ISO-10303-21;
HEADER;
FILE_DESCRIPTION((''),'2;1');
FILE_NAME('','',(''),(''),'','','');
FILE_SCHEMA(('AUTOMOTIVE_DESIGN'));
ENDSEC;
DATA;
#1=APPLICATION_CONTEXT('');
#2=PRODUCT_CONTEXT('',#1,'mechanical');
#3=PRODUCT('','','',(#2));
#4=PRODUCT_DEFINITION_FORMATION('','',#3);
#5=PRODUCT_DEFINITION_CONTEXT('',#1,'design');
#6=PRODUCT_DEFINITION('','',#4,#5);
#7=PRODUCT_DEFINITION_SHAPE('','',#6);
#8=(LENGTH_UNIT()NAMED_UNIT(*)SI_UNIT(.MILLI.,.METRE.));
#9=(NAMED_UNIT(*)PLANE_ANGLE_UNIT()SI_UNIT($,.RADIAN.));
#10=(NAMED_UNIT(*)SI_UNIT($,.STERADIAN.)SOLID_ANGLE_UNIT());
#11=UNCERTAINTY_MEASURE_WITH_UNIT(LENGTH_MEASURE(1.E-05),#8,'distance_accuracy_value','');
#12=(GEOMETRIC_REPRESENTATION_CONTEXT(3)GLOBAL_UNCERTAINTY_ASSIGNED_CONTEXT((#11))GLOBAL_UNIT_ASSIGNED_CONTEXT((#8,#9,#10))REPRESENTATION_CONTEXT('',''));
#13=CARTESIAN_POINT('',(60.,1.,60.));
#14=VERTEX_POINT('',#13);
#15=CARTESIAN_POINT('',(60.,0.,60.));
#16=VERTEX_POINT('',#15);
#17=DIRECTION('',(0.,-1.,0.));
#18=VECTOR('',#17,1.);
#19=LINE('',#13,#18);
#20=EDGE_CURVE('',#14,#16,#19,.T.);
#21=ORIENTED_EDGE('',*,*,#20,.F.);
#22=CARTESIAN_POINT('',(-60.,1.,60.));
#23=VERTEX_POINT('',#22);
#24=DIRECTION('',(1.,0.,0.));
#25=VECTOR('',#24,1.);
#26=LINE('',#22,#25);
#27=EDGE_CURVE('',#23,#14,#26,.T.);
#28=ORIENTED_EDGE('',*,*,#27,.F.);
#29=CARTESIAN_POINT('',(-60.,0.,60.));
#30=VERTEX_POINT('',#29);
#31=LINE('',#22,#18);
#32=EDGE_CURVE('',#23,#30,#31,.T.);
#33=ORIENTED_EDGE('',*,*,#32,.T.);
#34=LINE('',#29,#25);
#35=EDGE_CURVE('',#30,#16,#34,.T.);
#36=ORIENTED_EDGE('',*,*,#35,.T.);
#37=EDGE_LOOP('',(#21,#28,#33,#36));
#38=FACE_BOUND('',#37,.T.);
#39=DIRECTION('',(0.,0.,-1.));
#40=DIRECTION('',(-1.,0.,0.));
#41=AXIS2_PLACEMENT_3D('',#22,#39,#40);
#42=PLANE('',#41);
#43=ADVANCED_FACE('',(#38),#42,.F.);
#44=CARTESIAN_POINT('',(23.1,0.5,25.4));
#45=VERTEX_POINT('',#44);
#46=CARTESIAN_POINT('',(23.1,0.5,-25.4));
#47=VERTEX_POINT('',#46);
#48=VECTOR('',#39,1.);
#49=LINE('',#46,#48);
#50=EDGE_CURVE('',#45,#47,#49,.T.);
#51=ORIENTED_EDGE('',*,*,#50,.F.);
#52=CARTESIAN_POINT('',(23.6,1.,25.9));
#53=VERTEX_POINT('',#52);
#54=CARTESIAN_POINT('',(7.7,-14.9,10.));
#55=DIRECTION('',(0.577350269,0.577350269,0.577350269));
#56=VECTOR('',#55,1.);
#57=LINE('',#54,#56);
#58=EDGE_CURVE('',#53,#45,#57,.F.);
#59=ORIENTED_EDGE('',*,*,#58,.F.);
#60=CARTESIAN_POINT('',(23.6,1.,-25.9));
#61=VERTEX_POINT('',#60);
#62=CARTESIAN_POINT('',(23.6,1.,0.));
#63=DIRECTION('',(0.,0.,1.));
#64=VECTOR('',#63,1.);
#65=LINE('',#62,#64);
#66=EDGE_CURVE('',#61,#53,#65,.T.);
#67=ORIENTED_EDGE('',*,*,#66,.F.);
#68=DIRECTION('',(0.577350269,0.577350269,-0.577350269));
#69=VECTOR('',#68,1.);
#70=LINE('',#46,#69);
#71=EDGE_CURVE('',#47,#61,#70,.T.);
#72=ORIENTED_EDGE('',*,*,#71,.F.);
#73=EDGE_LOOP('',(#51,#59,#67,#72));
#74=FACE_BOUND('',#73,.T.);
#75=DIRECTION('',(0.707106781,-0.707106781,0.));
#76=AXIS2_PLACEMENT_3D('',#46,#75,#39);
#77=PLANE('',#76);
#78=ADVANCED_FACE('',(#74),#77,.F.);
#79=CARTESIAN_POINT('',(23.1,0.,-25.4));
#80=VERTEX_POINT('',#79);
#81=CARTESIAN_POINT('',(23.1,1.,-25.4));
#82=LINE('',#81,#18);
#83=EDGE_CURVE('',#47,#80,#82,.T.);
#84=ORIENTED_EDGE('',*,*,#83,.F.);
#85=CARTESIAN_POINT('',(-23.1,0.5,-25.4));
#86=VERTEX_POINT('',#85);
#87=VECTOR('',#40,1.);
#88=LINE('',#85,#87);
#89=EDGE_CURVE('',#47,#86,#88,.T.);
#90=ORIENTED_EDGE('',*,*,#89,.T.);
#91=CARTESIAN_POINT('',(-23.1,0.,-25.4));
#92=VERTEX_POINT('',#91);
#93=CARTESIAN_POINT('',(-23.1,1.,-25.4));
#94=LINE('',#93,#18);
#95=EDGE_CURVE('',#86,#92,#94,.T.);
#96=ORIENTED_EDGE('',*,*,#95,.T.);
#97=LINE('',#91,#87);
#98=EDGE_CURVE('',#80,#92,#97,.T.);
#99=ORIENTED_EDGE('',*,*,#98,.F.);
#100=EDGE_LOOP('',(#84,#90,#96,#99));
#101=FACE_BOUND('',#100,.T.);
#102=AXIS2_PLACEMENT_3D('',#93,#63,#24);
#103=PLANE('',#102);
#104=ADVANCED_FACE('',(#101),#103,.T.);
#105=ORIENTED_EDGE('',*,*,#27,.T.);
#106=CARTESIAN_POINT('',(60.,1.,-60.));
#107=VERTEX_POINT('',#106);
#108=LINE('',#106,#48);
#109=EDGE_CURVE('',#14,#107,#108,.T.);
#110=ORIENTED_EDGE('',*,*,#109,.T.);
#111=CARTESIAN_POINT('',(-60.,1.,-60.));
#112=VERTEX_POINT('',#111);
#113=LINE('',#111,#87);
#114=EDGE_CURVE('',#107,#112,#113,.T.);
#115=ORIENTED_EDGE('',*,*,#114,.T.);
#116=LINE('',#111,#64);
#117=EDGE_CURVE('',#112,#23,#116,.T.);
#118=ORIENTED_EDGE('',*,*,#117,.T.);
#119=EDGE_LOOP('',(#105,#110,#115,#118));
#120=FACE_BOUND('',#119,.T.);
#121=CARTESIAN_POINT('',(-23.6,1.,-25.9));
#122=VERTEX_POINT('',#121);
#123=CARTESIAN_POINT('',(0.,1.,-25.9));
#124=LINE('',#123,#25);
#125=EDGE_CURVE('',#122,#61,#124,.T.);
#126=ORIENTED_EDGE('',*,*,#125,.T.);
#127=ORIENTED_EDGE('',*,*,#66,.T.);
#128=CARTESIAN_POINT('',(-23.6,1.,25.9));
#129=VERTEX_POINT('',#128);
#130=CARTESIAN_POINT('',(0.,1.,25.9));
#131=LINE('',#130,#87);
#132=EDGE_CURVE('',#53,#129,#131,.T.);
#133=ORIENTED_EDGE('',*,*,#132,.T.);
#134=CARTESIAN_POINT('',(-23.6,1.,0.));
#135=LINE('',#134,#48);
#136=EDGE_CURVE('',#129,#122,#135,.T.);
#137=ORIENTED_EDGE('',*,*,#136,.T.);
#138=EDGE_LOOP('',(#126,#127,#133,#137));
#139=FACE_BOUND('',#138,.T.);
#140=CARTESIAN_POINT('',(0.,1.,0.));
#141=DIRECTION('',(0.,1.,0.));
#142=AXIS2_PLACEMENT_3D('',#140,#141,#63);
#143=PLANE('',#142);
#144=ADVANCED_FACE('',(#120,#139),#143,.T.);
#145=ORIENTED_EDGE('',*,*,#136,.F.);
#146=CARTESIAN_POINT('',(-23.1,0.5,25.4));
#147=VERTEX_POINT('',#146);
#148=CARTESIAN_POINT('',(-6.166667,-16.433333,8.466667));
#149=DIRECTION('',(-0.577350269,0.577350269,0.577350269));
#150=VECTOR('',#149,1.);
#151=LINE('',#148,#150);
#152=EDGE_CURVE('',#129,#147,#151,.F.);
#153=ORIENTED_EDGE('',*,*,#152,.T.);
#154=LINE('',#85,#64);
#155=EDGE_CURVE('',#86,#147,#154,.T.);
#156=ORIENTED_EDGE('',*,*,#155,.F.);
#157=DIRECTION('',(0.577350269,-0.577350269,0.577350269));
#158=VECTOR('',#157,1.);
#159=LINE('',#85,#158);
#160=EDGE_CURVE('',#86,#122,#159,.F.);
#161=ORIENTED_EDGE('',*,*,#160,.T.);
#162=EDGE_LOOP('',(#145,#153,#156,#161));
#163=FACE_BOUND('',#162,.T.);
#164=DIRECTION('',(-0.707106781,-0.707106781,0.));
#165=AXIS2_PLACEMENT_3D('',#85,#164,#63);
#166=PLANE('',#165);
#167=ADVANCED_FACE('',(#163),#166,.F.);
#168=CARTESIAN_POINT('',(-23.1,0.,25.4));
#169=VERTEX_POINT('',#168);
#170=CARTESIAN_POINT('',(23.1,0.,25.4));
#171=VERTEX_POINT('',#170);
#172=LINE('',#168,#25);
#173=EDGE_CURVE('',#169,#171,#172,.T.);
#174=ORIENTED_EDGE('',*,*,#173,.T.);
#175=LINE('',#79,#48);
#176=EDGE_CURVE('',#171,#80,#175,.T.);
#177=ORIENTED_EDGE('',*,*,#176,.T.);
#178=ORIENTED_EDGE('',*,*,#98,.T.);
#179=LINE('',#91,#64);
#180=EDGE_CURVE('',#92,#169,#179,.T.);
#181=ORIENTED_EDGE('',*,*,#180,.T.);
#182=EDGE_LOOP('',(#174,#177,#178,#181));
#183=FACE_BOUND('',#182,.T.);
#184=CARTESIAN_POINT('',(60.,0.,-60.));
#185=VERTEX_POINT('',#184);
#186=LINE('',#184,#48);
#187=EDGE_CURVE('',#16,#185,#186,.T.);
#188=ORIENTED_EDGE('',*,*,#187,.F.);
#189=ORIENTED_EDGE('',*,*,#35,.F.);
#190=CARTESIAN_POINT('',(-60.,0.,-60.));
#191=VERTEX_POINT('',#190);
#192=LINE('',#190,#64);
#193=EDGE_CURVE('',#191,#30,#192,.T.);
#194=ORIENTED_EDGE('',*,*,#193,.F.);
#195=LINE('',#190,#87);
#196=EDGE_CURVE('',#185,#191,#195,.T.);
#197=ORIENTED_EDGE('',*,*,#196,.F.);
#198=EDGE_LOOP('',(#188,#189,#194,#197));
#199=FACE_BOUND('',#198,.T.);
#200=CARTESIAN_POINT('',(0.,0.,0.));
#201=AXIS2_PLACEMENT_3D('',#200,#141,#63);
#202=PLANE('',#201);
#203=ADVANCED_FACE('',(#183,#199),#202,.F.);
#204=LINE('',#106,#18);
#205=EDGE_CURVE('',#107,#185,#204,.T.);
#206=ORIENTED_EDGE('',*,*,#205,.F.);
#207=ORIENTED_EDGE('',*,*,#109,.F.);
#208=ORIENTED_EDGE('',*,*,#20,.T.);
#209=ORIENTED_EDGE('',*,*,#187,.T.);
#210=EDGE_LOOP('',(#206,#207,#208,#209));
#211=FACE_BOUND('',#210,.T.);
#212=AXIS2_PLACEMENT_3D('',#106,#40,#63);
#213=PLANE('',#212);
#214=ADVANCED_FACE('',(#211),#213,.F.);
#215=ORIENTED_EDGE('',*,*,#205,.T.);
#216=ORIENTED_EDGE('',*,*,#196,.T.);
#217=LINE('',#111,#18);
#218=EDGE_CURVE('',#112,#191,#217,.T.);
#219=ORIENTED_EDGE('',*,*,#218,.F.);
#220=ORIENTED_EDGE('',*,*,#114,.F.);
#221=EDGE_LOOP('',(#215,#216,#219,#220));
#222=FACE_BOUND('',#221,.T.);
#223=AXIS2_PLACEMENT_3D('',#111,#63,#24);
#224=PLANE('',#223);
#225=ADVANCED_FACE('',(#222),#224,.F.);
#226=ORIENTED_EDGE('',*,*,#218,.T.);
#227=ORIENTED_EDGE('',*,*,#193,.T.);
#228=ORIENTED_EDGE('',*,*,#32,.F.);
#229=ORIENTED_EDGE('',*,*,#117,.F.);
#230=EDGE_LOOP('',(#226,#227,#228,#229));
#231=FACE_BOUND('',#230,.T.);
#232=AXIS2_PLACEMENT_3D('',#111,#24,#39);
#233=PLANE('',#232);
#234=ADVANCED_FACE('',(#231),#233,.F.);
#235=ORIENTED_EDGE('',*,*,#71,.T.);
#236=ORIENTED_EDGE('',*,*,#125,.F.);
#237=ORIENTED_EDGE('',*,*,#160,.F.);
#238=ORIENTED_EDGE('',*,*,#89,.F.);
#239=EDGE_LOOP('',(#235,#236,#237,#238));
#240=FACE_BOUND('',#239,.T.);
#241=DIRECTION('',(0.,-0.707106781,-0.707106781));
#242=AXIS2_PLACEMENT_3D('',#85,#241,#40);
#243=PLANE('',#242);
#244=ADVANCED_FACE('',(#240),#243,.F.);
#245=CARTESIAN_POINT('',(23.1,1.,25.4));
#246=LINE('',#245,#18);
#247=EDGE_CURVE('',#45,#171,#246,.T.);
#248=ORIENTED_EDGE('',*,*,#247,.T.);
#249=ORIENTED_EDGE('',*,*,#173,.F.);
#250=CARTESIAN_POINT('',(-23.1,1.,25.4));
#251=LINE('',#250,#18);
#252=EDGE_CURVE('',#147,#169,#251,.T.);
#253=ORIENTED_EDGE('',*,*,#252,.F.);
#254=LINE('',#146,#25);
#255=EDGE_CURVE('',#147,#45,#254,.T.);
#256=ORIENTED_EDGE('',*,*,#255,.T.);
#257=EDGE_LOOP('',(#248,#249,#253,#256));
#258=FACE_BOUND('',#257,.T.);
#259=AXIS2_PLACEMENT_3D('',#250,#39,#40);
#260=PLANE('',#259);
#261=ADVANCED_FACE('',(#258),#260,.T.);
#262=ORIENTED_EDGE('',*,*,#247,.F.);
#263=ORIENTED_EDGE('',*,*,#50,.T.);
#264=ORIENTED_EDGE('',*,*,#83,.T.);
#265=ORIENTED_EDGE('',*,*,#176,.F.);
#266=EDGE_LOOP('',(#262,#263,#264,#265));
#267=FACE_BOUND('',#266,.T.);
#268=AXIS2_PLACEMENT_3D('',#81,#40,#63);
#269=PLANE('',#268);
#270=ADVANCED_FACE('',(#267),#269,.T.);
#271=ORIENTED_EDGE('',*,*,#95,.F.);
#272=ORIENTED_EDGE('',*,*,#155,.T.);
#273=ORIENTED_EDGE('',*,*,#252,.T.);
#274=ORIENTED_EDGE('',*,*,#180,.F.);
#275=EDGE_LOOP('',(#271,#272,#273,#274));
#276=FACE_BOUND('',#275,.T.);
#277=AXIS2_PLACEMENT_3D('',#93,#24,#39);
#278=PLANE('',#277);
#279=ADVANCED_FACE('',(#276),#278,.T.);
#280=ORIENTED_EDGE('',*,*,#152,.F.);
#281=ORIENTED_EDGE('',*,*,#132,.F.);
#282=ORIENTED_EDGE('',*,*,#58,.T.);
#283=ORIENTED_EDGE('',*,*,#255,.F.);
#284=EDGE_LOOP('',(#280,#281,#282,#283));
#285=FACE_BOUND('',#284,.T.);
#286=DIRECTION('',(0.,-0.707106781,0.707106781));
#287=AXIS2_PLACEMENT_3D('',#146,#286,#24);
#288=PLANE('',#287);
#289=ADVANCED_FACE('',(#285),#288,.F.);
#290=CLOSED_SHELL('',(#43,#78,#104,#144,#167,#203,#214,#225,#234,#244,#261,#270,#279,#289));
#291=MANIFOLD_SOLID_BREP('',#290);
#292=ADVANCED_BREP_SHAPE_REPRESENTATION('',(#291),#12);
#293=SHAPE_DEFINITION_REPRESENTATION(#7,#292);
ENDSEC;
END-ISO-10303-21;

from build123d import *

# Parameters (mm, degrees)
SKETCH1_W           = 120
SKETCH1_H           = 120
SKETCH1_W_2         = 46.2
SKETCH1_H_2         = 50.8
BOSS_EXTRUDE1_DEPTH = 1
CHAMFER1_SIZE       = 0.5


with BuildPart() as part:
    # Sketch1 → Boss-Extrude1 (new body)
    with BuildSketch(Plane(origin=(0, 0, 0), x_dir=(1, 0, 0), z_dir=(0, 1, 0))):
        Rectangle(SKETCH1_W, SKETCH1_H)
        Rectangle(SKETCH1_W_2, SKETCH1_H_2, mode=Mode.SUBTRACT)
    extrude(amount=BOSS_EXTRUDE1_DEPTH)

    # Chamfer1
    chamfer1_edges = [part.edges().sort_by_distance(p)[0] for p in [
        (23.1, 1, 0),
        (0, 1, -25.4),
        (-23.1, 1, 0),
        (0, 1, 25.4),
    ]]
    chamfer(chamfer1_edges, length=CHAMFER1_SIZE)


solid = part.part
